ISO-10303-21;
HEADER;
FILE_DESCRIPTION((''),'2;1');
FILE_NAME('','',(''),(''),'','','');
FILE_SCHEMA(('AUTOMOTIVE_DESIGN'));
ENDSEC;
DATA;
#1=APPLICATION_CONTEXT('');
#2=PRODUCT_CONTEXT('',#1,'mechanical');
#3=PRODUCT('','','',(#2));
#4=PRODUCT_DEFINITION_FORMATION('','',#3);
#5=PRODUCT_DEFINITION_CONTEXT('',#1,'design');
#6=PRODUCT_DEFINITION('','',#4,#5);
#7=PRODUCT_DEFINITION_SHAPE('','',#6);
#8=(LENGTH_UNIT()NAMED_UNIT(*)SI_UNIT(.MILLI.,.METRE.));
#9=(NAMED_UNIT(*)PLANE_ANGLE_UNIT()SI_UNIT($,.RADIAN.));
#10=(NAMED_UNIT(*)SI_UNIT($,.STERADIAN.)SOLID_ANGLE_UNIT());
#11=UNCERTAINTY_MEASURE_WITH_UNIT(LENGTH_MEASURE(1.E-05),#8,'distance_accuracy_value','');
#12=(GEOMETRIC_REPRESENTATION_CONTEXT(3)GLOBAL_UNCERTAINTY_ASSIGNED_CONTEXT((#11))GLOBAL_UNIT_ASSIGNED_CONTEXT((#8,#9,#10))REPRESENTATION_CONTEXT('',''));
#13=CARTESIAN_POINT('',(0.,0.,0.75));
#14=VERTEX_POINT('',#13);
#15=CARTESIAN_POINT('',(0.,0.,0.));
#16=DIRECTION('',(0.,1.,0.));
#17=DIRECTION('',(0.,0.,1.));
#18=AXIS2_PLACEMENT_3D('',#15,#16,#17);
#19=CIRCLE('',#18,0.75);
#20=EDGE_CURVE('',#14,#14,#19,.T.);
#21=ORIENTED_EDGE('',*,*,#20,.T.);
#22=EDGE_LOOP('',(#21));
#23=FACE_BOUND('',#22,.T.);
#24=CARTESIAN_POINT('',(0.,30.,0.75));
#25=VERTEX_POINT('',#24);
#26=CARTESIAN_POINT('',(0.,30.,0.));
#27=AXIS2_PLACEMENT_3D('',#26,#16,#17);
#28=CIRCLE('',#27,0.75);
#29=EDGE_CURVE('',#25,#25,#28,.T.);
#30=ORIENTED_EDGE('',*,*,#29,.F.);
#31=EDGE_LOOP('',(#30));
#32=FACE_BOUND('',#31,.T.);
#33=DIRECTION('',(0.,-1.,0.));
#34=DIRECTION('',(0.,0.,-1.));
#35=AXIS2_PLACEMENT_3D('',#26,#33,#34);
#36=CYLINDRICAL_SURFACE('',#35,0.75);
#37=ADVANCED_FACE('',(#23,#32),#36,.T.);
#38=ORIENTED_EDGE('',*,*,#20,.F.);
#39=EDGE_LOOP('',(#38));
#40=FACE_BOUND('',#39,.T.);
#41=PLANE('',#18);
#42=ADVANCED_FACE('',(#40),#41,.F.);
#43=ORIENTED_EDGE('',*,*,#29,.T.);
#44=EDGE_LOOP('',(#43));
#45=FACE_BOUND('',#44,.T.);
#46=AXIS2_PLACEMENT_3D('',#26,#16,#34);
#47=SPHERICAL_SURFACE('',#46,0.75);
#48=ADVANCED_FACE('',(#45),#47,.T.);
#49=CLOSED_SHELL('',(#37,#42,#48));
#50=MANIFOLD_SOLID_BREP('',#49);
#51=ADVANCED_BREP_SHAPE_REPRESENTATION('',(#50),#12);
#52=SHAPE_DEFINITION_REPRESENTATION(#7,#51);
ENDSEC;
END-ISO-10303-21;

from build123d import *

# Parameters (mm, degrees)
SKETCH_1_R      = 0.75
EXTRUDE_1_DEPTH = 30


with BuildPart() as part:
    # 草图1 → 凸台-拉伸1 (new body)
    with BuildSketch(Plane(origin=(0, 0, 0), x_dir=(1, 0, 0), z_dir=(0, 1, 0))):
        with Locations(Location((0, 0, 0), (0, 0, 270))):
            Circle(SKETCH_1_R)
    extrude(amount=EXTRUDE_1_DEPTH)

    # 草图2 → 旋转1 (revolve)
    with BuildSketch(Plane(origin=(0, 0, 0), x_dir=(0, 0, -1), z_dir=(1, 0, 0))):
        with BuildLine():
            Line((0, 30.75), (0, 29.25))
            ThreePointArc((0, 29.25), (0.75, 30), (0, 30.75))
        make_face()
    revolve(axis=Axis((0, 30.75, 0), (0, -1, 0)))


solid = part.part
